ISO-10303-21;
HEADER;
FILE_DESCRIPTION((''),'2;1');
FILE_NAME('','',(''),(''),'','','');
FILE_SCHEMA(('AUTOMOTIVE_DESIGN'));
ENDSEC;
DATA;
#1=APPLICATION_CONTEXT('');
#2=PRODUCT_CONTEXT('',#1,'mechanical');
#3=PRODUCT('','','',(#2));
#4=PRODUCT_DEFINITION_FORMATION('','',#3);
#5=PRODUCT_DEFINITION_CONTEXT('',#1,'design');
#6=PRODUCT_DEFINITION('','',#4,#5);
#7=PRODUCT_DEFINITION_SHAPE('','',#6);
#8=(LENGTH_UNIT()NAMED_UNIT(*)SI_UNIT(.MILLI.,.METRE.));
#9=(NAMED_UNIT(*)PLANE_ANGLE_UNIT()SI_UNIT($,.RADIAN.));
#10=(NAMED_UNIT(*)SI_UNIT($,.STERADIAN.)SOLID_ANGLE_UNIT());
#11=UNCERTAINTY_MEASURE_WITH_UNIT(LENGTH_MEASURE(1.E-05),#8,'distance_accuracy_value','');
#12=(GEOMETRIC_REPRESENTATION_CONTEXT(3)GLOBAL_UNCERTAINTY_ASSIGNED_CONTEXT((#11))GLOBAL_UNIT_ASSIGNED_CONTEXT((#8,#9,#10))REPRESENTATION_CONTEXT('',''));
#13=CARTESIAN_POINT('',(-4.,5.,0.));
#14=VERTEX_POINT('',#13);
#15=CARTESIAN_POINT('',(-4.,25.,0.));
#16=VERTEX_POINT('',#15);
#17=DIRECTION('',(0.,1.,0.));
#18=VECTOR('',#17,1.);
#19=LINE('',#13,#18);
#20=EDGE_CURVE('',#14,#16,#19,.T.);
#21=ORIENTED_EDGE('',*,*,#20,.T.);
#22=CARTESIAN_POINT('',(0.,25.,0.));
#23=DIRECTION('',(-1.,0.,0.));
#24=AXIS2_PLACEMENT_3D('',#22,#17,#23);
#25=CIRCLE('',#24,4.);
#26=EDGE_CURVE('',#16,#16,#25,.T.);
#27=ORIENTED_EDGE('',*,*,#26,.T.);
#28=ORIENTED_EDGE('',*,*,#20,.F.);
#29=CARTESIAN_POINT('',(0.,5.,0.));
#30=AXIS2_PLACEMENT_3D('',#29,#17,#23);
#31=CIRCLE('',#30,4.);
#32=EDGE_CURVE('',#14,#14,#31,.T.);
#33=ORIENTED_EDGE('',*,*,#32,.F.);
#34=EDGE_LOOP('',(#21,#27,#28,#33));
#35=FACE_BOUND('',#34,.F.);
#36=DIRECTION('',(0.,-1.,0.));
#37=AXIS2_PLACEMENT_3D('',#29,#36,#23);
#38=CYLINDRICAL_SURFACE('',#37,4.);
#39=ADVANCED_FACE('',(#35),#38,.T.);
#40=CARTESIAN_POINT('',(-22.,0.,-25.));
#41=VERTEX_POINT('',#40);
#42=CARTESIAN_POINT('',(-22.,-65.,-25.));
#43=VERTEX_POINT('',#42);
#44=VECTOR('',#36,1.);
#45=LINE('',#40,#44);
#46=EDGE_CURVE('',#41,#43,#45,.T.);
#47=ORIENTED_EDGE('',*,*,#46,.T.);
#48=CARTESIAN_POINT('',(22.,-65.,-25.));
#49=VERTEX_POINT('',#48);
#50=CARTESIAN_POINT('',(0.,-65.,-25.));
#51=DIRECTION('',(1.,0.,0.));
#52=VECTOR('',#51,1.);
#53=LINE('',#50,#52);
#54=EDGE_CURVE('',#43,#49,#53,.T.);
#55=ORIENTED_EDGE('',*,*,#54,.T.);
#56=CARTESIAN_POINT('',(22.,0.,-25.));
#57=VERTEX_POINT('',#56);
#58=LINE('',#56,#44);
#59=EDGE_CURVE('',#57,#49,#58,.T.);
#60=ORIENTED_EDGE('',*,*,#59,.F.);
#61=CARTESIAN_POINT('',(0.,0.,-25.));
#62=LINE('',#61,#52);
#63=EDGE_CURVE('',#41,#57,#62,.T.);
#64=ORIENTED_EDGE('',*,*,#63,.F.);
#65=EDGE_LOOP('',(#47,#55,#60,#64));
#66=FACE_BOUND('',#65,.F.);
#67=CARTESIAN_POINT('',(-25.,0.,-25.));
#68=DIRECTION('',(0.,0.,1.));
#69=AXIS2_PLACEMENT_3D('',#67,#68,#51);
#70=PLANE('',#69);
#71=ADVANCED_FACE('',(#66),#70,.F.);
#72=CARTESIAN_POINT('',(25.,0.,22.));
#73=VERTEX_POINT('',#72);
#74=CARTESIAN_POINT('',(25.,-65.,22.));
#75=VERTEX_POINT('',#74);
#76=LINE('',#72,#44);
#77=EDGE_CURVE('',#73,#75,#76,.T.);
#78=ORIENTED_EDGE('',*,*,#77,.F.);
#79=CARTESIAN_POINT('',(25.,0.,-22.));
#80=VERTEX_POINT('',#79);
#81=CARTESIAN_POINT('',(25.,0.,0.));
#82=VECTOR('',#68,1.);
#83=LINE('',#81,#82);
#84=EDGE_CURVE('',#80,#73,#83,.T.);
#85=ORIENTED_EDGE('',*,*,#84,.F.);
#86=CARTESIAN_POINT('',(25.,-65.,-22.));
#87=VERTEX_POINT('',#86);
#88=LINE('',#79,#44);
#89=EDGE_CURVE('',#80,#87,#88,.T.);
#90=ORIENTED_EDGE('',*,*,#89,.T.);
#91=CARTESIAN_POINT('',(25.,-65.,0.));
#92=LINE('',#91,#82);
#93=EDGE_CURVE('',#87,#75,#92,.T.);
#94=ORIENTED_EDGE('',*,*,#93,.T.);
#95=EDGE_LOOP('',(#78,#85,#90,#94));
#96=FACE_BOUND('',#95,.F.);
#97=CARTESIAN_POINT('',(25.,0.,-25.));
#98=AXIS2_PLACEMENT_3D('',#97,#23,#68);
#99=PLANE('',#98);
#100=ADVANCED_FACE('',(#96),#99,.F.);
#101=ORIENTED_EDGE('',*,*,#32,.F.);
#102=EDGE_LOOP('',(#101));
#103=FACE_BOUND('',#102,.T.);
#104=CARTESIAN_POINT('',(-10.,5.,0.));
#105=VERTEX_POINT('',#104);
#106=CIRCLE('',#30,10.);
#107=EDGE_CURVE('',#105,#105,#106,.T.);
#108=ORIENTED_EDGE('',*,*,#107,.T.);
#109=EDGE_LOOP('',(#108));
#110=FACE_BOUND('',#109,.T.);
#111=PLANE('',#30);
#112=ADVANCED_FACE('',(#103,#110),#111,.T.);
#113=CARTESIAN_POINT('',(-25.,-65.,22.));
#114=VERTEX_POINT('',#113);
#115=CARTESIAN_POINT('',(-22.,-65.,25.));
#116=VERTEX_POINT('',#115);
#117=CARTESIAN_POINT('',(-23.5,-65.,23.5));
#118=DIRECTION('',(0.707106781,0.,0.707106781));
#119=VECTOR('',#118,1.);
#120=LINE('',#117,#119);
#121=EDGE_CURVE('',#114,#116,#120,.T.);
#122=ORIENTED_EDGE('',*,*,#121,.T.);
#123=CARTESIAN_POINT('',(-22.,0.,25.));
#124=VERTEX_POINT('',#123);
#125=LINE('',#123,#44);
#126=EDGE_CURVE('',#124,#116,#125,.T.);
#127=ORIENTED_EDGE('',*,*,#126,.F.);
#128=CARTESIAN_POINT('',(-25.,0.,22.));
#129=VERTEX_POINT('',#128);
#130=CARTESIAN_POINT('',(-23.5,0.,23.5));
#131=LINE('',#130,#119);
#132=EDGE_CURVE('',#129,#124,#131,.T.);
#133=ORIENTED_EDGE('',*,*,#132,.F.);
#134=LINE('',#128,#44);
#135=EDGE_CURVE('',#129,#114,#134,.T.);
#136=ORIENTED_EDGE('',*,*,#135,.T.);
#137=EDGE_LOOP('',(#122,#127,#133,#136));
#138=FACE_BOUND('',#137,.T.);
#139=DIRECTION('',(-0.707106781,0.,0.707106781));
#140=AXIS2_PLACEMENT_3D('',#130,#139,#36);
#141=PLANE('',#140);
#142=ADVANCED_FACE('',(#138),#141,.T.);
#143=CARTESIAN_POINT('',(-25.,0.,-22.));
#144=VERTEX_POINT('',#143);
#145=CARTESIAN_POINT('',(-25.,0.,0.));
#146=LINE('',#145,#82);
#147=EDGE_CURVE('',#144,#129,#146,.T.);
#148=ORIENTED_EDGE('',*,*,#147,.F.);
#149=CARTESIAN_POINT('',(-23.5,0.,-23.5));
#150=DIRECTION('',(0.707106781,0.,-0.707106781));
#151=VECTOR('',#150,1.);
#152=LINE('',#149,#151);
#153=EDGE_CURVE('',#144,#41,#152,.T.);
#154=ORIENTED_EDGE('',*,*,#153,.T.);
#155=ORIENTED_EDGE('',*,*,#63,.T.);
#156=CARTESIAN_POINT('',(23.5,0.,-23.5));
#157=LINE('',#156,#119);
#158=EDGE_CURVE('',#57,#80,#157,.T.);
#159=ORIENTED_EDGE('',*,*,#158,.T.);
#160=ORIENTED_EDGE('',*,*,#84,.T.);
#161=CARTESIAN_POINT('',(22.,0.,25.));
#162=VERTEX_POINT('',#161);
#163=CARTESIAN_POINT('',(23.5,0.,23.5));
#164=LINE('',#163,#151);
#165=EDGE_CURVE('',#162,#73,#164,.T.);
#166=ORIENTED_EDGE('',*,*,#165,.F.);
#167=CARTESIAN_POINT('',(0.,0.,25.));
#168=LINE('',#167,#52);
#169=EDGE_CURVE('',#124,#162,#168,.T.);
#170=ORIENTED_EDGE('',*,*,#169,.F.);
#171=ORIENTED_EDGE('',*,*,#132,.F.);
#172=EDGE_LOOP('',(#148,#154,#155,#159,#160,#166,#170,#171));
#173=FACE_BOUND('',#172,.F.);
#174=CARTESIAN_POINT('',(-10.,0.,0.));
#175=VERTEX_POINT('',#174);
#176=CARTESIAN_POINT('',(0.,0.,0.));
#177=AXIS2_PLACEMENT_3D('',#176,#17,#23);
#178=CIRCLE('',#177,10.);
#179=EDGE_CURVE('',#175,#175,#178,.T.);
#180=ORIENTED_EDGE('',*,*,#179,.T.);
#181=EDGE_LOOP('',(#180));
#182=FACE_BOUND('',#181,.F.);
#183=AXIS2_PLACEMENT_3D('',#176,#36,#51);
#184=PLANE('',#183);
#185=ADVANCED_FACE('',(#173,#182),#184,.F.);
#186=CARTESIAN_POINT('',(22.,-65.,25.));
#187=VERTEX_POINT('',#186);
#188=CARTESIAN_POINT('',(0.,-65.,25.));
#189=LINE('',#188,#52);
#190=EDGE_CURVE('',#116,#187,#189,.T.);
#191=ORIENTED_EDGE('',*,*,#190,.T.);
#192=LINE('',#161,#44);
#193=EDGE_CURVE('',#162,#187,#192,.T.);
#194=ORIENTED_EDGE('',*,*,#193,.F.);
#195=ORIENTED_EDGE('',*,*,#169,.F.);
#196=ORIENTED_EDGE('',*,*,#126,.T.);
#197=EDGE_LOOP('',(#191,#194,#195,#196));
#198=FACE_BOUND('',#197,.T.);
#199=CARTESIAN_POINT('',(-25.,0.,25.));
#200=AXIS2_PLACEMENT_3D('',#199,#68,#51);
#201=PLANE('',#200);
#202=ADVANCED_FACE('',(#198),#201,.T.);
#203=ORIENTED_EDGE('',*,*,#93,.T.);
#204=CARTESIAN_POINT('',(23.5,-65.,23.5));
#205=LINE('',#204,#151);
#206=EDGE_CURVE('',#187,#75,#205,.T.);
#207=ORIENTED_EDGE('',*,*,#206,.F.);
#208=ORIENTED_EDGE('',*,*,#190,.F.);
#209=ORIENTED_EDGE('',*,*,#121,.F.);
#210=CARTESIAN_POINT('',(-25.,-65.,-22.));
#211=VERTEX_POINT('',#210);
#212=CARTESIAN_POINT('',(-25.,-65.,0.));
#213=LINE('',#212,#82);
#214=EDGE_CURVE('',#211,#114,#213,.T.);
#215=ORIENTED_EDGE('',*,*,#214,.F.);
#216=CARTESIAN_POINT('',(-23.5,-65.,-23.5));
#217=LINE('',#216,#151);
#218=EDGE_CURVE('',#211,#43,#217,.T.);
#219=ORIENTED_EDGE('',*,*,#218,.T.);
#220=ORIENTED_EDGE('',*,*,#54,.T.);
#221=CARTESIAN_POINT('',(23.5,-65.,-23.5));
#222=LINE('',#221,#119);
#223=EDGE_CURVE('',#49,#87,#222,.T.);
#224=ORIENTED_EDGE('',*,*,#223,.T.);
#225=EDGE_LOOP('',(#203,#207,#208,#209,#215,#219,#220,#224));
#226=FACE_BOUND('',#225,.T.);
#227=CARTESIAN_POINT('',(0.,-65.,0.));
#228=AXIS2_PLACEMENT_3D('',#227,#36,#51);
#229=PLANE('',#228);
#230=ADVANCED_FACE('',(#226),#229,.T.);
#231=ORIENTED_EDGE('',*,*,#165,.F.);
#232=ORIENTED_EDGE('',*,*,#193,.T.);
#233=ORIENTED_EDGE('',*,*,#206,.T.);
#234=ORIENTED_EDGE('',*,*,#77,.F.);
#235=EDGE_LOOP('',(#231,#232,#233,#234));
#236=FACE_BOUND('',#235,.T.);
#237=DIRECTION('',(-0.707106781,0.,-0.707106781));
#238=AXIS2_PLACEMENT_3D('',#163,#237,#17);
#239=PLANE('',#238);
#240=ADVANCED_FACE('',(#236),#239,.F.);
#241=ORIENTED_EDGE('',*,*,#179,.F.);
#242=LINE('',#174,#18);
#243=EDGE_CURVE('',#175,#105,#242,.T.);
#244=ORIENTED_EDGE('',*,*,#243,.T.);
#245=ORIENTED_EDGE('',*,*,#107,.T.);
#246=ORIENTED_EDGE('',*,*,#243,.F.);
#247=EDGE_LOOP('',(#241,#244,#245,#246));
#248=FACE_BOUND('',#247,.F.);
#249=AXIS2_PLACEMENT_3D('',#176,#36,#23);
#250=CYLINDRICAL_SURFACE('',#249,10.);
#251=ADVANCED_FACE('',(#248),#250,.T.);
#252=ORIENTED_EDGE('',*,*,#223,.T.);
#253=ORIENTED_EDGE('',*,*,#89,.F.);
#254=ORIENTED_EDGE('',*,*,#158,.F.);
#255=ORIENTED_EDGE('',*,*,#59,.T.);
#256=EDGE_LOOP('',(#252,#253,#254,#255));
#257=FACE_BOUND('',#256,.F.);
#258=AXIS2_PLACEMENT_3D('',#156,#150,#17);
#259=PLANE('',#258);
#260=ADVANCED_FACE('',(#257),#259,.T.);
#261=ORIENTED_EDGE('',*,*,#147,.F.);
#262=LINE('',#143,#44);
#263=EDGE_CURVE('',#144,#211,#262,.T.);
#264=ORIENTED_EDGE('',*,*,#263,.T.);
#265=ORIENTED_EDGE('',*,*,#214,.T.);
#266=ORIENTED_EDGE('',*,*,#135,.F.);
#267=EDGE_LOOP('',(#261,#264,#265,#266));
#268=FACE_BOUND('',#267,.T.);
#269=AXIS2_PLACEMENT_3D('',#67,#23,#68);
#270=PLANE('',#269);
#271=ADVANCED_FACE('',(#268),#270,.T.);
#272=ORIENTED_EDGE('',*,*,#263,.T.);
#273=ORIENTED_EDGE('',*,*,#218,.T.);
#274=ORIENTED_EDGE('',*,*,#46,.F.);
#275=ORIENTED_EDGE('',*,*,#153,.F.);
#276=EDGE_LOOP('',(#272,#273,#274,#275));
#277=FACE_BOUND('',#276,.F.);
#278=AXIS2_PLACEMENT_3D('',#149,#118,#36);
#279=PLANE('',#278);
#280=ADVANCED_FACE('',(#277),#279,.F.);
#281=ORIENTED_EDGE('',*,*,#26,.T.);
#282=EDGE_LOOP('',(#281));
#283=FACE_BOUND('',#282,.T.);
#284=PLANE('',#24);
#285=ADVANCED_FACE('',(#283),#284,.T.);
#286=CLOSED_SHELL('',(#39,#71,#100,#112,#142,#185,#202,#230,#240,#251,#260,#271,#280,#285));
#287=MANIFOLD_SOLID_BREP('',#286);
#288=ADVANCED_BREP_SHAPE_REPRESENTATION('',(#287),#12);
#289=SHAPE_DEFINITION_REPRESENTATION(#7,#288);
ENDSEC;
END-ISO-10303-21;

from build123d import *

# Parameters (mm, degrees)
F0_W     = 50
F0_H     = 50
F1_DEPTH = 65
F2_R     = 10
F3_DEPTH = 5
F4_R     = 4
F5_DEPTH = 20
F6_SIZE  = 3


with BuildPart() as f1:
    # F0 (on Front) → F1 (new body)
    with BuildSketch(Plane.XZ):
        Rectangle(F0_W, F0_H)
    extrude(amount=F1_DEPTH)

    # F2 (on face) → F3 (join)
    with BuildSketch(Plane(origin=(0, 0, 0), x_dir=(-1, 0, 0), z_dir=(0, 1, 0))):
        Circle(F2_R)
    extrude(amount=F3_DEPTH)

    # F4 (on face) → F5 (join)
    with BuildSketch(Plane(origin=(0, 5, 0), x_dir=(-1, 0, 0), z_dir=(0, 1, 0))):
        Circle(F4_R)
    extrude(amount=F5_DEPTH)

    # F6
    f6_edges = [f1.edges().sort_by_distance(p)[0] for p in [
        (-25, -32.5, 25),
        (-25, -32.5, -25),
        (25, -32.5, -25),
        (25, -32.5, 25),
    ]]
    chamfer(f6_edges, length=F6_SIZE)


solid = f1.part
